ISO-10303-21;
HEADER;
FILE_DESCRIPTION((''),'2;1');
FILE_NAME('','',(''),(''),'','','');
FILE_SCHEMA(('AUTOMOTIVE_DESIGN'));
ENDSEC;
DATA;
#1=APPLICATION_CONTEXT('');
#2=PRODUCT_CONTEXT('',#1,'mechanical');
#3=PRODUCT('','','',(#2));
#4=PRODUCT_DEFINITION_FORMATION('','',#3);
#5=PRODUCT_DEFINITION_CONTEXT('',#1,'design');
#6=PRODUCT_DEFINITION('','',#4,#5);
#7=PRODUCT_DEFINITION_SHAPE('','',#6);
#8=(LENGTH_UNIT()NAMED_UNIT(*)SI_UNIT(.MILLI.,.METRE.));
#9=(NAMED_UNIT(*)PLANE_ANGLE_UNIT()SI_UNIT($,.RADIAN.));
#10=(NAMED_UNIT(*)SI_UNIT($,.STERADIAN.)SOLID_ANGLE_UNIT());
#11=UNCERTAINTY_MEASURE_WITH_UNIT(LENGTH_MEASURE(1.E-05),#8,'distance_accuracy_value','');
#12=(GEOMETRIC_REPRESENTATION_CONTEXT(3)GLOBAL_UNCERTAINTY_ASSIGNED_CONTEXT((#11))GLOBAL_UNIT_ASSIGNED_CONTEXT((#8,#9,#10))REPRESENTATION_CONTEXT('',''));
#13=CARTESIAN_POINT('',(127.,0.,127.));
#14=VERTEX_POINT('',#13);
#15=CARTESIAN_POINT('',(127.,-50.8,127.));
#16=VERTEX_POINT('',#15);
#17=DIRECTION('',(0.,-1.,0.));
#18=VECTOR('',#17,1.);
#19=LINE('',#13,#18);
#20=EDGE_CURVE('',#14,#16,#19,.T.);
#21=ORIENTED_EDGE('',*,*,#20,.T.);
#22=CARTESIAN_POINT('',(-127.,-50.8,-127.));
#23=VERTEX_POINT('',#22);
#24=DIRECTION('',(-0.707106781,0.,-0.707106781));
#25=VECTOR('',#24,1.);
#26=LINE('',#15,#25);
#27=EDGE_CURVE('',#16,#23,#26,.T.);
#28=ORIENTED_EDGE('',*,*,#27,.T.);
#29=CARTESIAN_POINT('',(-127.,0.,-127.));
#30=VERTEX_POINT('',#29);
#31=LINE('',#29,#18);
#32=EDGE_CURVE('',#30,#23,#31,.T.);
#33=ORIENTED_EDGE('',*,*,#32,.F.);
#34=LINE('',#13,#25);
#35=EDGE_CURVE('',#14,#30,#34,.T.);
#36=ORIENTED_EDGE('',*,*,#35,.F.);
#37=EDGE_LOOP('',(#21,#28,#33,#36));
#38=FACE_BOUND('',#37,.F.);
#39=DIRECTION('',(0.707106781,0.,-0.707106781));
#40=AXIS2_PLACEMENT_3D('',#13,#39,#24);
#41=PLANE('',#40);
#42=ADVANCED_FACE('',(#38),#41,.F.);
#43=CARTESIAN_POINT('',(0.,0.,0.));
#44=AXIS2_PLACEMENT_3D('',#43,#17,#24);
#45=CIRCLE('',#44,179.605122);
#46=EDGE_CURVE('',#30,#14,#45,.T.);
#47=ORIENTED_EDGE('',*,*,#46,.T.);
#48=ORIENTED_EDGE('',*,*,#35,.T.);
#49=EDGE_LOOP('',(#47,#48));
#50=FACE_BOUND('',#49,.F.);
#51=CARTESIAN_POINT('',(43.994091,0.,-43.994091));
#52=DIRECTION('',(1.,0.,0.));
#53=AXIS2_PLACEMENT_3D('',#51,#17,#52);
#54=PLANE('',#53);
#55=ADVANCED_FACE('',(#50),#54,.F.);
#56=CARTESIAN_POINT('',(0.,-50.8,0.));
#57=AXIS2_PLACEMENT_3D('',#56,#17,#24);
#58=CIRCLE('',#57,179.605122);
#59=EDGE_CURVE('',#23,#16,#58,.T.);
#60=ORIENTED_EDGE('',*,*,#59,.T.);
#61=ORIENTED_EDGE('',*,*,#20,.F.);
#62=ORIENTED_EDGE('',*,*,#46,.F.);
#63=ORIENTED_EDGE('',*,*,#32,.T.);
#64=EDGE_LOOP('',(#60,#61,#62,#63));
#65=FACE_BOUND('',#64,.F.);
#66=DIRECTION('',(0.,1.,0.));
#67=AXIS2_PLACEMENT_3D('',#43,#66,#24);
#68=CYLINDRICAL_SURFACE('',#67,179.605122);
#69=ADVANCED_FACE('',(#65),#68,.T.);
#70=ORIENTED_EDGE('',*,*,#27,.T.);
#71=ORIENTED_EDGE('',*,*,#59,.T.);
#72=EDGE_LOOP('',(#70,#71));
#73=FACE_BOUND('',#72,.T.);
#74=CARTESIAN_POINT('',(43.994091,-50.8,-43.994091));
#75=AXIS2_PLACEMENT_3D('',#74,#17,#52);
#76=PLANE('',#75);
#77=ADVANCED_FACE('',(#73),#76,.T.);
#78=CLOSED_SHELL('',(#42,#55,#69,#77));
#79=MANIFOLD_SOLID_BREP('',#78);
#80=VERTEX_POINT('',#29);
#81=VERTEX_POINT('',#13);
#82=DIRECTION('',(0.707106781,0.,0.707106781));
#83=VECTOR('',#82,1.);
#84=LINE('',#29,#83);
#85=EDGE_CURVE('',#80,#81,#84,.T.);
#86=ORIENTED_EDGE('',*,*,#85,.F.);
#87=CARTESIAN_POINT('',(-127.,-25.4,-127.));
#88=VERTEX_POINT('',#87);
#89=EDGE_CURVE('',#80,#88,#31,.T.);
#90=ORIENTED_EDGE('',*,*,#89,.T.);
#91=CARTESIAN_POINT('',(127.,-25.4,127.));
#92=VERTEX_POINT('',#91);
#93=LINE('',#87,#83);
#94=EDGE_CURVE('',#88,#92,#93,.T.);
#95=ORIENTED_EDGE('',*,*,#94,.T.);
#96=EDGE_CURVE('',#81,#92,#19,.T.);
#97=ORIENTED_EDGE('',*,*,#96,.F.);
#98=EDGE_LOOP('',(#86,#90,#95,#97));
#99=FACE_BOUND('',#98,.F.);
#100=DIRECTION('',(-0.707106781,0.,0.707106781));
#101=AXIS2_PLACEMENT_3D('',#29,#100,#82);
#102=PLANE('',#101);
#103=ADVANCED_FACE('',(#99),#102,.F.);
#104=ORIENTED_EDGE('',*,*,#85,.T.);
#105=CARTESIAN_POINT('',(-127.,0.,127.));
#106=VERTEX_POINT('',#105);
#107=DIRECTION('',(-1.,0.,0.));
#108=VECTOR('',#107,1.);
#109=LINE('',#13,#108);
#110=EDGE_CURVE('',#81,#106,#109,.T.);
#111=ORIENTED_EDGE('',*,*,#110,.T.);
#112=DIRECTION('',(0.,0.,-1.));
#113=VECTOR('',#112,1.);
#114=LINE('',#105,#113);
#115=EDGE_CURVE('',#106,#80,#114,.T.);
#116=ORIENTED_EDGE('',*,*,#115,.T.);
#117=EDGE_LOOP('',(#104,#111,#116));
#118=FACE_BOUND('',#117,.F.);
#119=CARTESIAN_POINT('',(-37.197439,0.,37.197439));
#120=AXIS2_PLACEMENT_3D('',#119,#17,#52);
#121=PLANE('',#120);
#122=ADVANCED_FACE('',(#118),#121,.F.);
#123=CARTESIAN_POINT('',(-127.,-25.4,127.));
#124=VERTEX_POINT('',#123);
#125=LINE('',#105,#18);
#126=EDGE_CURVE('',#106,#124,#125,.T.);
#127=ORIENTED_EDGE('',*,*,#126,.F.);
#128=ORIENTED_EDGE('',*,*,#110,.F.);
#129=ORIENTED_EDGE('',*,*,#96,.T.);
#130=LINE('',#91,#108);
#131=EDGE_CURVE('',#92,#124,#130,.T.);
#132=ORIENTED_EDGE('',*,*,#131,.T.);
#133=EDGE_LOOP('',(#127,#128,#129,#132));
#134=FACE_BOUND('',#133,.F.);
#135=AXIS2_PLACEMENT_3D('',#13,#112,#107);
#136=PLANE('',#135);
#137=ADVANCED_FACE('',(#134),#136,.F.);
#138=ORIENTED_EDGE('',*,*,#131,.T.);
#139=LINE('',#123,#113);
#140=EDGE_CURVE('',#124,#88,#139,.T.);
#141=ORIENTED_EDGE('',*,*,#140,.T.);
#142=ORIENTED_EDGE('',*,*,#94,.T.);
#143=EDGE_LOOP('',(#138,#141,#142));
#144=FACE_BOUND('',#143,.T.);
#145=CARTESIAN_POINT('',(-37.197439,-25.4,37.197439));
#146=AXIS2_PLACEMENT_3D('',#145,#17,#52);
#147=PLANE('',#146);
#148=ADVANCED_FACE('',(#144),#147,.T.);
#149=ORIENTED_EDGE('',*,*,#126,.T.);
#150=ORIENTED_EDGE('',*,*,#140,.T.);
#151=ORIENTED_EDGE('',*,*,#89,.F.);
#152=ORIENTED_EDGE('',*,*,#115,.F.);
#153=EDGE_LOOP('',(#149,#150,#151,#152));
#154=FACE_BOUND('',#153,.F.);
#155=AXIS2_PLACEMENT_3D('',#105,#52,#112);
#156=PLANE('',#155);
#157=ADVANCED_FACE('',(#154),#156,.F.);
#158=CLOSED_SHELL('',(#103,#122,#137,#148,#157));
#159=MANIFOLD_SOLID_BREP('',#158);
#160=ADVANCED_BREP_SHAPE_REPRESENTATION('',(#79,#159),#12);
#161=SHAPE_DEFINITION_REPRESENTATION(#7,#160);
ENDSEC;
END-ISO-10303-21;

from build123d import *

# Parameters (mm, degrees)
F1_DEPTH = 25.4
F2_DEPTH = 50.8


with BuildPart() as f1:
    # F0 (on Front) → F1 (new body)
    with BuildSketch(Plane.XZ):
        Polygon((127, 127), (-127, 127), (-127, -127), align=None)
    extrude(amount=F1_DEPTH)


with BuildPart() as f2:
    # F0 (on Front) → F2 (new body)
    with BuildSketch(Plane.XZ):
        with BuildLine():
            ThreePointArc((-127, -127), (127, -127), (127, 127))
            Line((127, 127), (-127, -127))
        make_face()
    extrude(amount=F2_DEPTH)


solid = Compound([f1.part, f2.part])
